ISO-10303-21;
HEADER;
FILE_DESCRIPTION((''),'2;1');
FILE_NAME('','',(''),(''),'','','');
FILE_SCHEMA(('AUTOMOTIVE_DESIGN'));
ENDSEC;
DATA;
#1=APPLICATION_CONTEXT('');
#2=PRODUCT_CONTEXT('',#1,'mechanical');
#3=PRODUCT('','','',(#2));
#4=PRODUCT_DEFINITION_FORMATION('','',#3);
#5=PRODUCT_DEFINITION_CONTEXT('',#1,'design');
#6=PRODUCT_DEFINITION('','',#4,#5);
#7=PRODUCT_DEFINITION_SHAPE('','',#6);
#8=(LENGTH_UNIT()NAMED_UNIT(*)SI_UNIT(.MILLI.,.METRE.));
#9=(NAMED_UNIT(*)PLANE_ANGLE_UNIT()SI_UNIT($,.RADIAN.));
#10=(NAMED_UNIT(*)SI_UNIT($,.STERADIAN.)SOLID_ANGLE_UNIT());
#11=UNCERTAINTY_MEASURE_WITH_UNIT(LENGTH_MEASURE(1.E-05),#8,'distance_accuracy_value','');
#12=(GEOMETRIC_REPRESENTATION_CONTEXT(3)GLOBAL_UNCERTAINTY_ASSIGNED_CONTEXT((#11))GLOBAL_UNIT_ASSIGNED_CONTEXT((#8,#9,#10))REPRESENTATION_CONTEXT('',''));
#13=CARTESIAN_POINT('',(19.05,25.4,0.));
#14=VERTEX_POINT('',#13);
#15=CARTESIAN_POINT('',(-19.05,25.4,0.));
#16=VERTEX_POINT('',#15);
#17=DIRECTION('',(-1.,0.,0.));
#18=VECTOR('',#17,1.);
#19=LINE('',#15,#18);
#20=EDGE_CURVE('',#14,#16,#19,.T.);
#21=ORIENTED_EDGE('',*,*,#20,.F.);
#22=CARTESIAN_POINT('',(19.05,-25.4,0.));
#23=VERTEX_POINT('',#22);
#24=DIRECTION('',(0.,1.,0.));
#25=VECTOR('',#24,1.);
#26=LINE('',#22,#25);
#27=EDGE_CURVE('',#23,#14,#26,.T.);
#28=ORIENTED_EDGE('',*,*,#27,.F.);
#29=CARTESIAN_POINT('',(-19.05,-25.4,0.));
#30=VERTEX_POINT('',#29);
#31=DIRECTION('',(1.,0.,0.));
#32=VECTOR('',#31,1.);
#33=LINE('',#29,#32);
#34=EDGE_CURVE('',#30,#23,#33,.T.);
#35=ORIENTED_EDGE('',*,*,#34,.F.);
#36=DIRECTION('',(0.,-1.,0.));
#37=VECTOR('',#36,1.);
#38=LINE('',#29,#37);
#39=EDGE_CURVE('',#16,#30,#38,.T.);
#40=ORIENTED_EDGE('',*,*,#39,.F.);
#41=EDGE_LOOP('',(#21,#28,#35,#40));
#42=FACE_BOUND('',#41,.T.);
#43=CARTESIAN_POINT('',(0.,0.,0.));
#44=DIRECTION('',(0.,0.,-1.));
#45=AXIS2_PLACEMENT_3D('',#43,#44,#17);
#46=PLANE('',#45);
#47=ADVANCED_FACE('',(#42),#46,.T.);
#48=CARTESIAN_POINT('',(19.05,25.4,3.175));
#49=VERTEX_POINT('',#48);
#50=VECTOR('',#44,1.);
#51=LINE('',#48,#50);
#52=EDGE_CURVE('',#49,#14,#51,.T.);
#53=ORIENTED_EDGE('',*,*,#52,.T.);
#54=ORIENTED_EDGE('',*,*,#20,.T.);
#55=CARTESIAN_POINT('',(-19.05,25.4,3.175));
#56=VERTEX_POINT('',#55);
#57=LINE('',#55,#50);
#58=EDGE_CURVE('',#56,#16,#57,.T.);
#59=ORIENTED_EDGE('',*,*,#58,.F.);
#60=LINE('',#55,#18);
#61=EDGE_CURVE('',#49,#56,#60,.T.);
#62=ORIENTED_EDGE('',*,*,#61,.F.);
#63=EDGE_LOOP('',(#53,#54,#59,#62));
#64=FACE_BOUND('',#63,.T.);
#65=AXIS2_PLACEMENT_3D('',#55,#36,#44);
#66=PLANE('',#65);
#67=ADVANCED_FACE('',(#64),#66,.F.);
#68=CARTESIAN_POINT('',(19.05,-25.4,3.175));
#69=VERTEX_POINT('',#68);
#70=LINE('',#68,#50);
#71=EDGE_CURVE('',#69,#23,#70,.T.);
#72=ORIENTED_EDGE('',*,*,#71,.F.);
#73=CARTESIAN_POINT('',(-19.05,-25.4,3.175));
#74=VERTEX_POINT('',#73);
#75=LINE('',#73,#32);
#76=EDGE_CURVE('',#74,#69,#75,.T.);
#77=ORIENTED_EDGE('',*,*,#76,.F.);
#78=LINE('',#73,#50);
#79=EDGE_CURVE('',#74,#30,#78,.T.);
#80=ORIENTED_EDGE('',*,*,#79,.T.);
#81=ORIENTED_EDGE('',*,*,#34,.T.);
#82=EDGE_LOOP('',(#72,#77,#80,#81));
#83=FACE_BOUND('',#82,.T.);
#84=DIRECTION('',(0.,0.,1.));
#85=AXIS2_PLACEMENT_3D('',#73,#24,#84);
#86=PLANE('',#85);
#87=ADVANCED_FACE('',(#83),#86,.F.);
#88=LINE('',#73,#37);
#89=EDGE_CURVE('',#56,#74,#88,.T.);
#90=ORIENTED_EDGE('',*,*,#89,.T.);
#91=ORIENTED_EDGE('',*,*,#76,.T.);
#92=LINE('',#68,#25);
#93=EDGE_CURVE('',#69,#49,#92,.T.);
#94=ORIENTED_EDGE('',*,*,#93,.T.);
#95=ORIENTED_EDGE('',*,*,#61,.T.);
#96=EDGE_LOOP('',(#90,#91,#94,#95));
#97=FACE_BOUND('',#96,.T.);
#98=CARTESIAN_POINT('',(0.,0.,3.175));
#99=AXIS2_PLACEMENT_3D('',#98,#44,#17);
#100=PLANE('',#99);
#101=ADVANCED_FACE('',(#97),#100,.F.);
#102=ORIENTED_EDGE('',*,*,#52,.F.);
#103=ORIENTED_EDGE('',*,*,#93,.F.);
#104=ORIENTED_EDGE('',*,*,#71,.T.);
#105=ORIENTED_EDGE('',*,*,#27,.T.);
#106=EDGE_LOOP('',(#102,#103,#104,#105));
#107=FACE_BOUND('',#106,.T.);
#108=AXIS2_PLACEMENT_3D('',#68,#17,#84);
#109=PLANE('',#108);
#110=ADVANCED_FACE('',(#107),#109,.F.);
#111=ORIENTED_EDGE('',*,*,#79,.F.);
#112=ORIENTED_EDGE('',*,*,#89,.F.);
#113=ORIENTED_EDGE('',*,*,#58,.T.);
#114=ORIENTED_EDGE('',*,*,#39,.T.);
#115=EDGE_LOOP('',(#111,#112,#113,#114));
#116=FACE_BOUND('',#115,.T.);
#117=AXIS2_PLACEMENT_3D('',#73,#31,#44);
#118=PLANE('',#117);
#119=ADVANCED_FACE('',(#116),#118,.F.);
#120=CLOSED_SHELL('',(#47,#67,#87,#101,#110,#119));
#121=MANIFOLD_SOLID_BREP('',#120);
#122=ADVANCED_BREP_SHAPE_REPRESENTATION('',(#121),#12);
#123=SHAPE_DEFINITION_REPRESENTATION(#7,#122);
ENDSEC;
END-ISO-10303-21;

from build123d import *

# Parameters (mm, degrees)
SKETCH2_W           = 38.1
SKETCH2_H           = 50.8
BOSS_EXTRUDE1_DEPTH = 3.175


with BuildPart() as part:
    # Sketch2 → Boss-Extrude1 (new body)
    with BuildSketch(Plane.XY):
        Rectangle(SKETCH2_W, SKETCH2_H)
    extrude(amount=BOSS_EXTRUDE1_DEPTH)


solid = part.part
